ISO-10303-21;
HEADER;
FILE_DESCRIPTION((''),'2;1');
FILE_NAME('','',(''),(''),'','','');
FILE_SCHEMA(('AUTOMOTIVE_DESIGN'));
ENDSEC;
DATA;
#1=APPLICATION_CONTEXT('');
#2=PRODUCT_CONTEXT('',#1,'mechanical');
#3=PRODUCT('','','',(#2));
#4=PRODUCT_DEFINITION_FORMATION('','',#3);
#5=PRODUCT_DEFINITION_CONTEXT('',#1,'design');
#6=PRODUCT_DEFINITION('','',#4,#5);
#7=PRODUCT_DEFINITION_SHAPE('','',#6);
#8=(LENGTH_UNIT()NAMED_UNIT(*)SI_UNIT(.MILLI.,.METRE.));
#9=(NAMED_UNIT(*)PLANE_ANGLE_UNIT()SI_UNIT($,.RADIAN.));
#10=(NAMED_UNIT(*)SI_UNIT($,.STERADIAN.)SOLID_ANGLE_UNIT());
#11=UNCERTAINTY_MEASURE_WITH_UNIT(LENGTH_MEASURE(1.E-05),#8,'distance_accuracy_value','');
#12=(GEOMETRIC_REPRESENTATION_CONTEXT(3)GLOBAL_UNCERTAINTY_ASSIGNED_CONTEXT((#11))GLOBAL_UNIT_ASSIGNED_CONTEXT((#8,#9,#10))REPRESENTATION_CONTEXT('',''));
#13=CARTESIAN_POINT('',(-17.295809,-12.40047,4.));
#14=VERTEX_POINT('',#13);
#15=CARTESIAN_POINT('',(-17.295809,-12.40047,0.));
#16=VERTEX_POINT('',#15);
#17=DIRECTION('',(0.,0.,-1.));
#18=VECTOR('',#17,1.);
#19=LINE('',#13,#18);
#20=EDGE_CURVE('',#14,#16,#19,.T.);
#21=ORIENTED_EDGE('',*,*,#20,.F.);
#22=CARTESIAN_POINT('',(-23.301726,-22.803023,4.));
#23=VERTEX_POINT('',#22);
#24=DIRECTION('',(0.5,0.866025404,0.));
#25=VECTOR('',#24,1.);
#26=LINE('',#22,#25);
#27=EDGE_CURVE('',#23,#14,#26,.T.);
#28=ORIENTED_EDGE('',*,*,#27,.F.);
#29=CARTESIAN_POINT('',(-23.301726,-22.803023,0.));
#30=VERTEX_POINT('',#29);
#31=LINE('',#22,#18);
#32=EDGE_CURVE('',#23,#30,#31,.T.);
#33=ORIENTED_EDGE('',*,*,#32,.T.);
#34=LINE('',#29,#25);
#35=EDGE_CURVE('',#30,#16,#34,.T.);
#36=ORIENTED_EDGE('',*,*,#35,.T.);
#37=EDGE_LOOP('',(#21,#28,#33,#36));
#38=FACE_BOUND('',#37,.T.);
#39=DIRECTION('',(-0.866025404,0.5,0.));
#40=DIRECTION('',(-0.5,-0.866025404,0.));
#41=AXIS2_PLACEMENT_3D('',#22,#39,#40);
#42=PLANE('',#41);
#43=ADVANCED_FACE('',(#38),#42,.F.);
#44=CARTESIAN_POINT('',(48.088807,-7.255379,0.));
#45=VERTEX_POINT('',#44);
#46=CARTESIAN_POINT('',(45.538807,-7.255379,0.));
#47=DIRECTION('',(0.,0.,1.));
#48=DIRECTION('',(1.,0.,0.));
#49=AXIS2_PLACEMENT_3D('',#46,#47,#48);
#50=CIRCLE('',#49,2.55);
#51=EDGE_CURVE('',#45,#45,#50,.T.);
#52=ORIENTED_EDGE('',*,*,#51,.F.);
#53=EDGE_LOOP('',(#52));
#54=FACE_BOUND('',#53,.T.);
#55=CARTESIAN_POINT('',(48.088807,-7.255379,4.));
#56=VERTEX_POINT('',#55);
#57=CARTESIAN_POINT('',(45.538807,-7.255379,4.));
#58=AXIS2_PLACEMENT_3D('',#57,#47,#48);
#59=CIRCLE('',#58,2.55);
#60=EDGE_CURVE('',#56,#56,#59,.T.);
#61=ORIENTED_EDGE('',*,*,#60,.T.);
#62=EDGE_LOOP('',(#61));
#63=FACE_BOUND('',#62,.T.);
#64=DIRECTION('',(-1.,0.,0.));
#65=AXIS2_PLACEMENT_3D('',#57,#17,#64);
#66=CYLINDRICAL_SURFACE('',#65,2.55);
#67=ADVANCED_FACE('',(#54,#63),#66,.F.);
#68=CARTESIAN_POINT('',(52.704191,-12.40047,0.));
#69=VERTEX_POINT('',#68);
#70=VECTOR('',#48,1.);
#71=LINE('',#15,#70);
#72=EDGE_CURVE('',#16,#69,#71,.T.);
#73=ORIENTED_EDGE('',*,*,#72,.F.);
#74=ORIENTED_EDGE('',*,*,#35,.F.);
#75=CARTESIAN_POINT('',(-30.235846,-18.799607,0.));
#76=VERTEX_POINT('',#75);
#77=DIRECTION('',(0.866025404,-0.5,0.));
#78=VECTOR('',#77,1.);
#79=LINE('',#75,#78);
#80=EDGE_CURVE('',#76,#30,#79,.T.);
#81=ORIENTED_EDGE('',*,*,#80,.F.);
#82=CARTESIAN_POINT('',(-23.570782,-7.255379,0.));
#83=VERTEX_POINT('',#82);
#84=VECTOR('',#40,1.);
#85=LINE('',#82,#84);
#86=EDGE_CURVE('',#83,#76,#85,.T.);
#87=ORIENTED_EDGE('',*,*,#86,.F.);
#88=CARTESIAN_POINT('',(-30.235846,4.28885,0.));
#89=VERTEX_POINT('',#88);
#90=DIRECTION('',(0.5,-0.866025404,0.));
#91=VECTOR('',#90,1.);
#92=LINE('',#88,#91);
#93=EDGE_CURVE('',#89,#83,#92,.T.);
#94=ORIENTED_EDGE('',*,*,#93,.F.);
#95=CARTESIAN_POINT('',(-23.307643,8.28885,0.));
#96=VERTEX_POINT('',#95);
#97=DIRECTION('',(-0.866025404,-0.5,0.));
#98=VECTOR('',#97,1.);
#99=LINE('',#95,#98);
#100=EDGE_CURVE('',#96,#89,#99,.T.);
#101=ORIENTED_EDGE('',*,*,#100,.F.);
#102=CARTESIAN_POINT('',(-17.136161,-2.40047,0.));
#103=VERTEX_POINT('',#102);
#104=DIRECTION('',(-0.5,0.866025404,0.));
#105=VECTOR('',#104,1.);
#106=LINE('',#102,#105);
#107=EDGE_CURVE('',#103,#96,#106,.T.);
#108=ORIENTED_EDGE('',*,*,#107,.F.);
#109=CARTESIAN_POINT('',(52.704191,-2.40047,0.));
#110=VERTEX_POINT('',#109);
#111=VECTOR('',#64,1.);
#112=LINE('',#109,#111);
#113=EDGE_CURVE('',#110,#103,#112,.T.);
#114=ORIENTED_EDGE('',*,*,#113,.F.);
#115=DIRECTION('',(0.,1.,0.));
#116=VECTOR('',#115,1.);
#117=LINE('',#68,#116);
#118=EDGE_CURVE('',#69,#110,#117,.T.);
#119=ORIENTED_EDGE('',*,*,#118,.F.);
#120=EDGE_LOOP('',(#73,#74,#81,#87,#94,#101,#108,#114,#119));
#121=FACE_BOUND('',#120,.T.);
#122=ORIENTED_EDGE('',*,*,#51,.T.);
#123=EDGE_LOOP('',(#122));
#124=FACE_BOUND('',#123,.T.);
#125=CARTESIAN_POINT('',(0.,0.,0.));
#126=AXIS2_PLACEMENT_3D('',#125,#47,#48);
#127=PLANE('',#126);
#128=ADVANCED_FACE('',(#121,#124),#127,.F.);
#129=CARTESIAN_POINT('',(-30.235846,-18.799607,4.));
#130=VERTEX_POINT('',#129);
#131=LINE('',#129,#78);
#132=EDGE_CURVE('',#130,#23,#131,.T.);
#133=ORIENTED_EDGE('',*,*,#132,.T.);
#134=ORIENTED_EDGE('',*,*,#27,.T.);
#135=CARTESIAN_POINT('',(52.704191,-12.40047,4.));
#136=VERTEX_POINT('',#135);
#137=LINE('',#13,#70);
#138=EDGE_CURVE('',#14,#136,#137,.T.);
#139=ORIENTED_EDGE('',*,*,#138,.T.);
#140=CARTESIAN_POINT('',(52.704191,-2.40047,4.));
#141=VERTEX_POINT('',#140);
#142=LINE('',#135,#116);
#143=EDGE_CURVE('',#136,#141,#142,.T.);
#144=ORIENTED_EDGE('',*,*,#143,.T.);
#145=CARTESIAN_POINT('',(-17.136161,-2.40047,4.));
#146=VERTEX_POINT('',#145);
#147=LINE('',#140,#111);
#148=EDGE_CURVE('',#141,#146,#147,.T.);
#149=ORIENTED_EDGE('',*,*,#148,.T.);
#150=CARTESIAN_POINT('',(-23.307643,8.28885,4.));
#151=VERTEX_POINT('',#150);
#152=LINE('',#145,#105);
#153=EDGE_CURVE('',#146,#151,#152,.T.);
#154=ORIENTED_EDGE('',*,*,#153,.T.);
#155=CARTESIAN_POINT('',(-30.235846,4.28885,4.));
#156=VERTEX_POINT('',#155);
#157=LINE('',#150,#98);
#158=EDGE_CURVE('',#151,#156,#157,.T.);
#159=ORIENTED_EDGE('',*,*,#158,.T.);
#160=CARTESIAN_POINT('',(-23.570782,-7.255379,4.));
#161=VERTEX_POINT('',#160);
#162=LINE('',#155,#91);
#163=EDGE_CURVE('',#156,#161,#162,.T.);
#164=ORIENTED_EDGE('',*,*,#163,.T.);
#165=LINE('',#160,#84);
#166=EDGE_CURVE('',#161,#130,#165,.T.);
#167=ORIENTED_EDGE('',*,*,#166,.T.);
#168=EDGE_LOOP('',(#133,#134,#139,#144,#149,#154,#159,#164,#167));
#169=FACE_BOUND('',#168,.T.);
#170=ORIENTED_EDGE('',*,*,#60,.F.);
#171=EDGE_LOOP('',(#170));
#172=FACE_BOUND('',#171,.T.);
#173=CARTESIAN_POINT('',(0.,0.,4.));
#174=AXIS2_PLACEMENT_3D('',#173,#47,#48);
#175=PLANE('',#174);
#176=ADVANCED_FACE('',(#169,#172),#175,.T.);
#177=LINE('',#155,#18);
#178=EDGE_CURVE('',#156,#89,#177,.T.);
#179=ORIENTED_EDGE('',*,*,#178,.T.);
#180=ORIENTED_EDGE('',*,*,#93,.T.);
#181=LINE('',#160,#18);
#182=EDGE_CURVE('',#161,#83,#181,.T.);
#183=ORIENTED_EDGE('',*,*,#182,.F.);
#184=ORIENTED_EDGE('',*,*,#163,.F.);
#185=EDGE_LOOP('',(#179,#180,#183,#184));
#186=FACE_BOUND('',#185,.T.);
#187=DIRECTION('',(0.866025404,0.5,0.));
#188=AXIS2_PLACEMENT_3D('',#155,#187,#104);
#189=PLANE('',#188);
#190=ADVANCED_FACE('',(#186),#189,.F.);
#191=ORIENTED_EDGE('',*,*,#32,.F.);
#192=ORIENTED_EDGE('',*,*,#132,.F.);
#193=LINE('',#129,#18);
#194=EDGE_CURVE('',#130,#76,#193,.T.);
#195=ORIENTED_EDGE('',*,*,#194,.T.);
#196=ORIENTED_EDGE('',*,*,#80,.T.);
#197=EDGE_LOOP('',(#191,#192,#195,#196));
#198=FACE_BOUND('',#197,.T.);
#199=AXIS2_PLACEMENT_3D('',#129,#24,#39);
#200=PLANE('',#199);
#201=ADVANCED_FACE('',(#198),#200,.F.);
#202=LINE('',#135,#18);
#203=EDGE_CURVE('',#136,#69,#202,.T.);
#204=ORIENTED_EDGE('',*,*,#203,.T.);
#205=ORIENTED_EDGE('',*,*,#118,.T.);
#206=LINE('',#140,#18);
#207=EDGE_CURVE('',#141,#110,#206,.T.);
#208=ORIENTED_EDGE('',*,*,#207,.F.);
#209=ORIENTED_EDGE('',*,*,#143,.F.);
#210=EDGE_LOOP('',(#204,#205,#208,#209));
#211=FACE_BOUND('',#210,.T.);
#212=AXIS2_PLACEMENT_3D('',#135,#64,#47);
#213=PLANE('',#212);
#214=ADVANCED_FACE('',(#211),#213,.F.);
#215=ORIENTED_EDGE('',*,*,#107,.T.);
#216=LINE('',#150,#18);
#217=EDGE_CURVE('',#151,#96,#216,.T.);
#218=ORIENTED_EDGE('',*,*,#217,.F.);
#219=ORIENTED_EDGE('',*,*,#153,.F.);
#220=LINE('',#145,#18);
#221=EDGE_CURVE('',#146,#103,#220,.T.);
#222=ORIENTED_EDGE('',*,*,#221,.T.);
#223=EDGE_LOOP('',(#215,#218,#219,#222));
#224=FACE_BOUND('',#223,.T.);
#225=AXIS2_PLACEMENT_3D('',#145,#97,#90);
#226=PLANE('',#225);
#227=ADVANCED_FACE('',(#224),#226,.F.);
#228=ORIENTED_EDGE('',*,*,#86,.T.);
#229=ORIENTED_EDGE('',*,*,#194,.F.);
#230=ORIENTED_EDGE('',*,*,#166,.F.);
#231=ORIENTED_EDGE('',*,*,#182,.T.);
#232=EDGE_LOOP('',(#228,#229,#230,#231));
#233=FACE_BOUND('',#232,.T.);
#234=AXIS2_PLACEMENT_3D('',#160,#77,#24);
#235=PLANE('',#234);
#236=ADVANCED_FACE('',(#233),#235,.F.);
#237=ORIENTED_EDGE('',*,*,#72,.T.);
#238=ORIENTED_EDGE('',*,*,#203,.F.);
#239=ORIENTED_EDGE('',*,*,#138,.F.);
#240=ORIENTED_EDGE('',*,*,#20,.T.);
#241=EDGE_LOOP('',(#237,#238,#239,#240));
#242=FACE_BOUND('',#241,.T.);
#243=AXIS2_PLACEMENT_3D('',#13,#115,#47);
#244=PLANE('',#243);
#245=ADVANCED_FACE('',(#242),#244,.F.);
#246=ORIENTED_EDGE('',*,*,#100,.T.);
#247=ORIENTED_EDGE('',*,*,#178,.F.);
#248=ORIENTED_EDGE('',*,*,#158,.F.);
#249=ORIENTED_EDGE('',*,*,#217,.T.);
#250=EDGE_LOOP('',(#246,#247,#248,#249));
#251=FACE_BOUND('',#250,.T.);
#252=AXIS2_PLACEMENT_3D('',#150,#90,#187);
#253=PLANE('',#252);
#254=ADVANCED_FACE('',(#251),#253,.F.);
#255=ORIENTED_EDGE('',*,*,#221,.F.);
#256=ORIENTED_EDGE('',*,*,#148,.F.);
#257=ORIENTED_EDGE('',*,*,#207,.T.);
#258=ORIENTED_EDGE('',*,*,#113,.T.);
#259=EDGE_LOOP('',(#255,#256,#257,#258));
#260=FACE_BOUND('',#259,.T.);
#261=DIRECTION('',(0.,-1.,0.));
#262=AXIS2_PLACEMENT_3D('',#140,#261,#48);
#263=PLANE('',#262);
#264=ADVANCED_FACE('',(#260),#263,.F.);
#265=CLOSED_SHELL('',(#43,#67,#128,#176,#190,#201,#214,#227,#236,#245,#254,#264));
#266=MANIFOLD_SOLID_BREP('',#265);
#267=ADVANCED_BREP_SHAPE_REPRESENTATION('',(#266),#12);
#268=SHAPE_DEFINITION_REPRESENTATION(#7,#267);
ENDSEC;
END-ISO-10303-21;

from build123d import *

# Parameters (mm, degrees)
ESBO_O1_R                = 2.55
RESSALTO_EXTRUS_O1_DEPTH = 4


with BuildPart() as part:
    # Esboço1 → Ressalto-extrusão1 (new body)
    with BuildSketch(Plane.XY):
        Polygon((52.704190952, -2.400470185), (-17.136160755, -2.400470185), (-23.307642689, 8.288850082), (-30.235845919, 4.288850082), (-23.57078241, -7.255378552), (-30.235845919, -18.799607186), (-23.301725869, -22.803023264), (-17.295809048, -12.400470185), (52.704190952, -12.400470185), align=None)
        with Locations((45.538806525, -7.255378552)):
            Circle(ESBO_O1_R, mode=Mode.SUBTRACT)
    extrude(amount=RESSALTO_EXTRUS_O1_DEPTH)


solid = part.part
